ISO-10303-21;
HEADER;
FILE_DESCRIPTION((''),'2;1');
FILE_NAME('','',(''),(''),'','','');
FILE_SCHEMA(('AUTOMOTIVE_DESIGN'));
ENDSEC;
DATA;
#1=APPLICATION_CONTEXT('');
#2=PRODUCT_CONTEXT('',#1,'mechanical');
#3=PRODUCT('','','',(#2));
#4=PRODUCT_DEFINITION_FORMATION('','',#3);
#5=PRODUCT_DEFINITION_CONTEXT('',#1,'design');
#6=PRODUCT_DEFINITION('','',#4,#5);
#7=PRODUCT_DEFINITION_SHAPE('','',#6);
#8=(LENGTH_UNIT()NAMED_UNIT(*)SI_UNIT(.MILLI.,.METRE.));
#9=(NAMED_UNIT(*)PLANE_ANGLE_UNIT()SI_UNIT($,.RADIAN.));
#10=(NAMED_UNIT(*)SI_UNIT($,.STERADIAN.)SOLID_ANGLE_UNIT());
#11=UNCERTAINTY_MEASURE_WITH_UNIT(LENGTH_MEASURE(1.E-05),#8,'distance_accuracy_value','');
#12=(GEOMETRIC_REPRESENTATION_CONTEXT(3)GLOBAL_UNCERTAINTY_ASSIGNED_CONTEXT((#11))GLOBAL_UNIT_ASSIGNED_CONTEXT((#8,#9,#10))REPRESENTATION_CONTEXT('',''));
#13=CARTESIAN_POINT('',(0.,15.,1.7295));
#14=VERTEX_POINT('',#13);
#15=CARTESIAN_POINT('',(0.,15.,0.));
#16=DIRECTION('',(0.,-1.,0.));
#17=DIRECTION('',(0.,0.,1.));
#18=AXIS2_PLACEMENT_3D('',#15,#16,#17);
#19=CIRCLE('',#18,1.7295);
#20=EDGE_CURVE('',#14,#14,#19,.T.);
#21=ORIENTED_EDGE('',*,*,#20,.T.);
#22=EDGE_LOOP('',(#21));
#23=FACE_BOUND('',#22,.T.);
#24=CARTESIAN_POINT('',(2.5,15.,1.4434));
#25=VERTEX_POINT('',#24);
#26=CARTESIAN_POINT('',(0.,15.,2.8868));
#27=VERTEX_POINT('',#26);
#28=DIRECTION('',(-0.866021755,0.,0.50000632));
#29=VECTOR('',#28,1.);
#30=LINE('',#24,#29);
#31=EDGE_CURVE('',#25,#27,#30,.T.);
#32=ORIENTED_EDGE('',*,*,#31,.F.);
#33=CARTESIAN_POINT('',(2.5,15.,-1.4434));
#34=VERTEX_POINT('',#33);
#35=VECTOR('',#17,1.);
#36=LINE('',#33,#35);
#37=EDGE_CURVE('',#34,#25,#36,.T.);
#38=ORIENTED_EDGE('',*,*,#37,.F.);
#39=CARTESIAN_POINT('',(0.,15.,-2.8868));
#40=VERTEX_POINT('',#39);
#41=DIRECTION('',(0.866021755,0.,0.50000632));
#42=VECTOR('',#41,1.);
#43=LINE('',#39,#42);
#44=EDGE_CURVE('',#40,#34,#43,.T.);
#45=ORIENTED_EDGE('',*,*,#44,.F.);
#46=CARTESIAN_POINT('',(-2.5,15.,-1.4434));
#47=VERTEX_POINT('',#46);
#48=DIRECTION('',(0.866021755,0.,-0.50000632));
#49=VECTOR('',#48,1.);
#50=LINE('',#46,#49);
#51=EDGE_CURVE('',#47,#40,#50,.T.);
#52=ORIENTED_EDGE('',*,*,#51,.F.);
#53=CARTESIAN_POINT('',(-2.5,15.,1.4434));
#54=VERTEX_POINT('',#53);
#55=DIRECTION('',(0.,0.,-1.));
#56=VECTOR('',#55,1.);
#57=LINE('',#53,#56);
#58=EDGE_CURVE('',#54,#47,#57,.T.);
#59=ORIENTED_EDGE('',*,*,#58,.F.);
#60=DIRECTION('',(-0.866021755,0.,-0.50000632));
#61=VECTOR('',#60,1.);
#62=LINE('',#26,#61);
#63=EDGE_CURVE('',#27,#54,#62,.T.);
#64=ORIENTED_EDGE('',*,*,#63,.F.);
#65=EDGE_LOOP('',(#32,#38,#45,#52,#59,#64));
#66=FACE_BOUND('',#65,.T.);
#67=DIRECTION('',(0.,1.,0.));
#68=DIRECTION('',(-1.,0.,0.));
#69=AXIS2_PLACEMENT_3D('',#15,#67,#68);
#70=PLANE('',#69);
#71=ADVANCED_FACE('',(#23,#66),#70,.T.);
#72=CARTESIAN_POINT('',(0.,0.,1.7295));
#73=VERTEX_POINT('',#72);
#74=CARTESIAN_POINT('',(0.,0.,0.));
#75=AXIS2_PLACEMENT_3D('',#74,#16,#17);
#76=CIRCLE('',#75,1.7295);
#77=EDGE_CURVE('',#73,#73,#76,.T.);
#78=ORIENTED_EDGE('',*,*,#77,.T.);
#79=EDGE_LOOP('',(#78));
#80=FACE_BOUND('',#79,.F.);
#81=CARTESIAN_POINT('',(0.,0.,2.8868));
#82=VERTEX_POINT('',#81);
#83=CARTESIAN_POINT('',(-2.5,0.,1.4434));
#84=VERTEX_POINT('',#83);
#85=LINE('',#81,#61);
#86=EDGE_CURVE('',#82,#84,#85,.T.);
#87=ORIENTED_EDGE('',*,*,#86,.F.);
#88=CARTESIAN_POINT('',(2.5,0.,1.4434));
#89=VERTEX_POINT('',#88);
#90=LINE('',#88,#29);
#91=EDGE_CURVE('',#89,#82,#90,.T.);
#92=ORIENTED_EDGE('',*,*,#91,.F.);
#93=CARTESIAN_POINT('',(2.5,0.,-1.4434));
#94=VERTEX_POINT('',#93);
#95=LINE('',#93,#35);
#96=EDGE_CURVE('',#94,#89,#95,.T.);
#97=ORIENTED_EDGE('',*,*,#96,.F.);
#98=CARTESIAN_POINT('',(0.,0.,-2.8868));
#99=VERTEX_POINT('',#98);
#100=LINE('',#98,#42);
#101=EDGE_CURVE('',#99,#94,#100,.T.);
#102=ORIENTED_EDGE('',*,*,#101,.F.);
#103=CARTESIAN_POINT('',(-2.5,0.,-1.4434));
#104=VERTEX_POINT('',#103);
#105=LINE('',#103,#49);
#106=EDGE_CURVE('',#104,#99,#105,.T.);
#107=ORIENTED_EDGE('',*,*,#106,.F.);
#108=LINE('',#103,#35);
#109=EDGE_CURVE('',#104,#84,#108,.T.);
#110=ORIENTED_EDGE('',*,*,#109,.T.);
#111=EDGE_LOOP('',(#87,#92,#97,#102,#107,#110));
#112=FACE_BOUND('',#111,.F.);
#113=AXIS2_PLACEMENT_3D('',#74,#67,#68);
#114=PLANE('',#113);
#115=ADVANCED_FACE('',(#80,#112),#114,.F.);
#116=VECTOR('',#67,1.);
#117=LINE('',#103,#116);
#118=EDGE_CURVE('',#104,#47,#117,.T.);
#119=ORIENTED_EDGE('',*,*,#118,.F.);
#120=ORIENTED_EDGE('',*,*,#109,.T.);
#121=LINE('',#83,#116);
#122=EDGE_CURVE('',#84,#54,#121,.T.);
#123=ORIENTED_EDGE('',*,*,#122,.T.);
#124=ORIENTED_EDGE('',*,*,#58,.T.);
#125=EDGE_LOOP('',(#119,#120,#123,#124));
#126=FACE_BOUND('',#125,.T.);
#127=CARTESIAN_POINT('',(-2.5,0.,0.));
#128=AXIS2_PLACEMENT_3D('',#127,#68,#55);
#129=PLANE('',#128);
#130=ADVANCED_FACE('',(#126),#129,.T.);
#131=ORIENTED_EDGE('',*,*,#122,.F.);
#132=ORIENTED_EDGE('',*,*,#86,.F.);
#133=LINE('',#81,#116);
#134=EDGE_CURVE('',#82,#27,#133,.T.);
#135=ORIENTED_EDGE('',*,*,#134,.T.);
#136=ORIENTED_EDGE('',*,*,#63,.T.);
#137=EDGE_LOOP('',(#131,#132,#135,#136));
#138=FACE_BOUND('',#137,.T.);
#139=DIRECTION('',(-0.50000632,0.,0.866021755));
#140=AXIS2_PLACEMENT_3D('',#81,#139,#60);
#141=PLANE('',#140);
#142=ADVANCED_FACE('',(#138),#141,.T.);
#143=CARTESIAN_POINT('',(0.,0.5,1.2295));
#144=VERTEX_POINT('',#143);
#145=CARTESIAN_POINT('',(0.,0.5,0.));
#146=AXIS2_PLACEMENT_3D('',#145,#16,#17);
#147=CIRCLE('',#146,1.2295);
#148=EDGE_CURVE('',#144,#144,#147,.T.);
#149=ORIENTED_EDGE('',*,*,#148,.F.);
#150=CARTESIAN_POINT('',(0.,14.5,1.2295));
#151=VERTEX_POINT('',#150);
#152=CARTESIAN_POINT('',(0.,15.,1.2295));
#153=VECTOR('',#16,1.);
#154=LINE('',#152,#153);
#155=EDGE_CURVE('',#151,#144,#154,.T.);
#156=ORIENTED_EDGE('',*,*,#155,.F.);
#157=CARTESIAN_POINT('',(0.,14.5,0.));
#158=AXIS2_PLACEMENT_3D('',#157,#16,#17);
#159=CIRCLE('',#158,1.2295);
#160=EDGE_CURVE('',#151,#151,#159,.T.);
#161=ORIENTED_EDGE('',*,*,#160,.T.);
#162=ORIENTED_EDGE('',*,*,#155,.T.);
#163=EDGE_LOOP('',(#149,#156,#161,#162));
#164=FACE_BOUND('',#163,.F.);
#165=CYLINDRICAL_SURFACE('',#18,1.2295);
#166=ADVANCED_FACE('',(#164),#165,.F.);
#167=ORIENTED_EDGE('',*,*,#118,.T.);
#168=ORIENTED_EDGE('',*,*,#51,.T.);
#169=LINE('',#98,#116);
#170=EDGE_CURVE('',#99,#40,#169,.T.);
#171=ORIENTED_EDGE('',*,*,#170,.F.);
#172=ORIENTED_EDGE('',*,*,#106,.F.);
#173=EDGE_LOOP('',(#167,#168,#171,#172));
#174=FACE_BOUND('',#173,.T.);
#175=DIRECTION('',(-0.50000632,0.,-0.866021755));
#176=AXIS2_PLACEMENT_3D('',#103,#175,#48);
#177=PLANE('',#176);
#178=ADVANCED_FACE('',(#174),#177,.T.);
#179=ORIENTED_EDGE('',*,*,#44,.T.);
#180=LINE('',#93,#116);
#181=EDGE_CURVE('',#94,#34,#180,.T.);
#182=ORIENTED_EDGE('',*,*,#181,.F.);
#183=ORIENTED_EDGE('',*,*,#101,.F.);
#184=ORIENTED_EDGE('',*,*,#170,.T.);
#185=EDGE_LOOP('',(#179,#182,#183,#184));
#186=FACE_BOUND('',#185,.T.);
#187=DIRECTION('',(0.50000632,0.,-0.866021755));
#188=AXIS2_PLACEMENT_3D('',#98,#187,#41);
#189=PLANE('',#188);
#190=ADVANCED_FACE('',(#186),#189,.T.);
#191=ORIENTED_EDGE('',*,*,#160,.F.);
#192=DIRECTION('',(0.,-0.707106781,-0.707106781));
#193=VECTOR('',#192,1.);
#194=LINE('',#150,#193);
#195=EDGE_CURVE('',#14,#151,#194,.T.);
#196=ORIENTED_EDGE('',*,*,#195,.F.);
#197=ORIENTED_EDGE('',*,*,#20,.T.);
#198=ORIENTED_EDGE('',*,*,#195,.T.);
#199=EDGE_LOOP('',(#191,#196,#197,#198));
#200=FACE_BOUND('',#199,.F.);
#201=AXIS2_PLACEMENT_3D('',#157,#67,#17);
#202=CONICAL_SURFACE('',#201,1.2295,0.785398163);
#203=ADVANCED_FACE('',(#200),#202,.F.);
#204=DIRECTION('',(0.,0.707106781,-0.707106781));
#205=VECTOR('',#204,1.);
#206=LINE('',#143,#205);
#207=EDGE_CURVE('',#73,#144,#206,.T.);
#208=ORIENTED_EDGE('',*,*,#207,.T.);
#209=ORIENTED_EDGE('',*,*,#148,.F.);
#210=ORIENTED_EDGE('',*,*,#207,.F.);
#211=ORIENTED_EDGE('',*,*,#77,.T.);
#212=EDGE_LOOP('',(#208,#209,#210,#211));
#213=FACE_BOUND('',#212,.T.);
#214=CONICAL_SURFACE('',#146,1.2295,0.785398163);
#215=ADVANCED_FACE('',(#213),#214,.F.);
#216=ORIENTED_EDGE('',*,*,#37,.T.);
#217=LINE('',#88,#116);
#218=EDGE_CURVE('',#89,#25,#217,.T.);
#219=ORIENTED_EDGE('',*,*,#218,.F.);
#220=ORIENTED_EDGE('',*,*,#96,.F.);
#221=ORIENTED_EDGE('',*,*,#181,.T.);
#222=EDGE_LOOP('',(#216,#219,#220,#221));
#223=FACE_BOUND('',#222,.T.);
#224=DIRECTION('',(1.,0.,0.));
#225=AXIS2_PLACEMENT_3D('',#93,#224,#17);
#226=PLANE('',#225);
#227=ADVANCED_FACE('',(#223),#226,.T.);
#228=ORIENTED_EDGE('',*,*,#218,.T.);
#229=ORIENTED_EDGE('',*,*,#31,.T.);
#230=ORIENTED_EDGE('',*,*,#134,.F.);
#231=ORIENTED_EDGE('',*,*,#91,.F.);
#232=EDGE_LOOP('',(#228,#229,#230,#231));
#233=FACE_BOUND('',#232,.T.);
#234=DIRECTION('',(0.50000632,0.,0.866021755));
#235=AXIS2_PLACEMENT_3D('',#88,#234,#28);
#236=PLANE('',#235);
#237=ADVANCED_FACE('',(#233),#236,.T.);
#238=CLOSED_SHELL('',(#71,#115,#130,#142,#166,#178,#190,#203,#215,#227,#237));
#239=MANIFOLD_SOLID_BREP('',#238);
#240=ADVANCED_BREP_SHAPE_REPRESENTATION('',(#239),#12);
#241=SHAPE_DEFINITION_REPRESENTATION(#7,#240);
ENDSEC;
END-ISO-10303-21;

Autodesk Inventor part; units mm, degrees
ref_plane "YZ Plane" through (0, 0, 0) normal (1, 0, 0) x (0, 1, 0)
ref_plane "XZ Plane" through (0, 0, 0) normal (0, 1, 0) x (-1, 0, 0)
ref_plane "XY Plane" through (0, 0, 0) normal (0, 0, 1) x (1, 0, 0)
sketch "Sketch1" plane through (0, 0, 0) normal (0, 1, 0) x (-1, 0, 0)
  line L0 (0, 0) -> (2.5, 0)
  line L1 (2.5, -1.4434) -> (0, -2.8868)
  line L2 (0, -2.8868) -> (-2.5, -1.4434)
  line L3 (-2.5, -1.4434) -> (-2.5, 1.4434)
  line L4 (-2.5, 1.4434) -> (0, 2.8868)
  line L5 (0, 2.8868) -> (2.5, 1.4434)
  line L6 (2.5, 1.4434) -> (2.5, -1.4434)
  dimension "d0" = 2.5
extrude "Extrusion1" add sketch "Sketch1" along normal blind 15
sketch "Sketch2" plane through (0, 15, 0) normal (0, 1, 0) x (1, 0, 0)
  point P0 (0, 0)
hole "Hole1" at (0, 15, 0) direction (0, -1, 0) diameter 2.459 end through all thread size "M3x0.5" class "6H" standard "ANSI Metric M Profile"
chamfer "Chamfer1" distance 0.5 angle 45 2 edges at (0, 15, -1.2295) (0, 0, -1.2295)
properties part number "18mm Standoff" material "Aluminum 6061"
